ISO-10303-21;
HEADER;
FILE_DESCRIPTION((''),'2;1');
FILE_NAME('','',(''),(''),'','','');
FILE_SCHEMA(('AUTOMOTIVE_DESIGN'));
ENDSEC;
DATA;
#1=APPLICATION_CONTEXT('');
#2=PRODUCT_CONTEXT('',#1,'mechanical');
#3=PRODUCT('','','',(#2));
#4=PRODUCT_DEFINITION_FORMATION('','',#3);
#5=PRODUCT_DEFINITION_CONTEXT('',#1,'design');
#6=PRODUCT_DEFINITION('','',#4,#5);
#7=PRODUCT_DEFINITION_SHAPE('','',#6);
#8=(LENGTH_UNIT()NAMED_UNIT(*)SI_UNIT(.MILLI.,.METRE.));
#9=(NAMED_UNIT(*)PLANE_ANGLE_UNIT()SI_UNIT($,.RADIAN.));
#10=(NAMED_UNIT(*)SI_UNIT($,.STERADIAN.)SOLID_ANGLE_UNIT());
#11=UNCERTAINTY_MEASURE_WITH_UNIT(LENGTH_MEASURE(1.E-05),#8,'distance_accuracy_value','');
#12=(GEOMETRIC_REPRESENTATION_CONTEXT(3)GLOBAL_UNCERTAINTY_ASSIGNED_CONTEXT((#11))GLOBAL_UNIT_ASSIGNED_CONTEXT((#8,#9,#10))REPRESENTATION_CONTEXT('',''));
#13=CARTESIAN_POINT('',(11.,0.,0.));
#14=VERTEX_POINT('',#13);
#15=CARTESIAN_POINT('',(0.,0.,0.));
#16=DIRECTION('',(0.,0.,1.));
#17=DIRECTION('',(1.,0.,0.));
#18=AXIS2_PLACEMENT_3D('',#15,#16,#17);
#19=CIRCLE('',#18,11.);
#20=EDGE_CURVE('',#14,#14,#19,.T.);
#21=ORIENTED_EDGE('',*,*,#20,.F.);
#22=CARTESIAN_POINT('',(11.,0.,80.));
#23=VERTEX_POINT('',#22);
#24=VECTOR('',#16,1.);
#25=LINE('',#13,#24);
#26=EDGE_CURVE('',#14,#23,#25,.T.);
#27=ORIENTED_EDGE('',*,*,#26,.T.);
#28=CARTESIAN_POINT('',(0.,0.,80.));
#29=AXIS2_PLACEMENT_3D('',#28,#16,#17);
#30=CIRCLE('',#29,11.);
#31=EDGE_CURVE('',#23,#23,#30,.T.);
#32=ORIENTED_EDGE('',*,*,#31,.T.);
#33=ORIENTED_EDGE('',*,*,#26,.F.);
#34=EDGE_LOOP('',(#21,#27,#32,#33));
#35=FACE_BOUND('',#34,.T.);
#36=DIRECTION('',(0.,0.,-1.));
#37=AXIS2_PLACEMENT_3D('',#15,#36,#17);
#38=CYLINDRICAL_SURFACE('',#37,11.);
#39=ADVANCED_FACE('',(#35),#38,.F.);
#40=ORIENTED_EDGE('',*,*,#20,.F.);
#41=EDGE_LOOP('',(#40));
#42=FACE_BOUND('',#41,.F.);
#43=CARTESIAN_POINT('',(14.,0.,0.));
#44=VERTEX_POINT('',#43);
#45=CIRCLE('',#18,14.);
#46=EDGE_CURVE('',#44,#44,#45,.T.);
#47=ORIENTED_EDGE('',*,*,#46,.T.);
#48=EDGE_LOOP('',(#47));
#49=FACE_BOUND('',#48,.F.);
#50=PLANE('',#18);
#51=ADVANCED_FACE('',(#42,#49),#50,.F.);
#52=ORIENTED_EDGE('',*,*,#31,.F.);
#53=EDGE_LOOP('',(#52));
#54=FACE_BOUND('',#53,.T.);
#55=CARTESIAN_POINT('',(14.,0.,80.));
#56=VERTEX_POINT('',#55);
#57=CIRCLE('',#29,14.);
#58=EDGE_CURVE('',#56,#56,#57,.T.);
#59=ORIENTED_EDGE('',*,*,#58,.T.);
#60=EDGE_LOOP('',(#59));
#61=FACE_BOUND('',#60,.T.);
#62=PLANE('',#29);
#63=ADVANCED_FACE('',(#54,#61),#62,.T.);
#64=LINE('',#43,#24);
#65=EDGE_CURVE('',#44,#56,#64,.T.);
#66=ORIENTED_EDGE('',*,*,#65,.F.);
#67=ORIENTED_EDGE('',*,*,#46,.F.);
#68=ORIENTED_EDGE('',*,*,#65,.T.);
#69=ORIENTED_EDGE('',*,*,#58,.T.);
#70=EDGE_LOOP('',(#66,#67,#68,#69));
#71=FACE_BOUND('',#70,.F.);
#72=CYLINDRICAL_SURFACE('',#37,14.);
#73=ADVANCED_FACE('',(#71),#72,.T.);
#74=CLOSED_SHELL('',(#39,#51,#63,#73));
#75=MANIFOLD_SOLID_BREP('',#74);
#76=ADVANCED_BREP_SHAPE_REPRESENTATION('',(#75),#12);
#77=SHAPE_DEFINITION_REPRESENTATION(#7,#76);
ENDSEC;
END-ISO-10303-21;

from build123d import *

# Parameters (mm, degrees)
SKETCH_R   = 14
SKETCH_R_2 = 11
PAD_DEPTH  = 80


with BuildPart() as part:
    # Sketch → Pad (new body)
    with BuildSketch(Plane.XY):
        Circle(SKETCH_R)
        Circle(SKETCH_R_2, mode=Mode.SUBTRACT)
    extrude(amount=PAD_DEPTH)


solid = part.part
